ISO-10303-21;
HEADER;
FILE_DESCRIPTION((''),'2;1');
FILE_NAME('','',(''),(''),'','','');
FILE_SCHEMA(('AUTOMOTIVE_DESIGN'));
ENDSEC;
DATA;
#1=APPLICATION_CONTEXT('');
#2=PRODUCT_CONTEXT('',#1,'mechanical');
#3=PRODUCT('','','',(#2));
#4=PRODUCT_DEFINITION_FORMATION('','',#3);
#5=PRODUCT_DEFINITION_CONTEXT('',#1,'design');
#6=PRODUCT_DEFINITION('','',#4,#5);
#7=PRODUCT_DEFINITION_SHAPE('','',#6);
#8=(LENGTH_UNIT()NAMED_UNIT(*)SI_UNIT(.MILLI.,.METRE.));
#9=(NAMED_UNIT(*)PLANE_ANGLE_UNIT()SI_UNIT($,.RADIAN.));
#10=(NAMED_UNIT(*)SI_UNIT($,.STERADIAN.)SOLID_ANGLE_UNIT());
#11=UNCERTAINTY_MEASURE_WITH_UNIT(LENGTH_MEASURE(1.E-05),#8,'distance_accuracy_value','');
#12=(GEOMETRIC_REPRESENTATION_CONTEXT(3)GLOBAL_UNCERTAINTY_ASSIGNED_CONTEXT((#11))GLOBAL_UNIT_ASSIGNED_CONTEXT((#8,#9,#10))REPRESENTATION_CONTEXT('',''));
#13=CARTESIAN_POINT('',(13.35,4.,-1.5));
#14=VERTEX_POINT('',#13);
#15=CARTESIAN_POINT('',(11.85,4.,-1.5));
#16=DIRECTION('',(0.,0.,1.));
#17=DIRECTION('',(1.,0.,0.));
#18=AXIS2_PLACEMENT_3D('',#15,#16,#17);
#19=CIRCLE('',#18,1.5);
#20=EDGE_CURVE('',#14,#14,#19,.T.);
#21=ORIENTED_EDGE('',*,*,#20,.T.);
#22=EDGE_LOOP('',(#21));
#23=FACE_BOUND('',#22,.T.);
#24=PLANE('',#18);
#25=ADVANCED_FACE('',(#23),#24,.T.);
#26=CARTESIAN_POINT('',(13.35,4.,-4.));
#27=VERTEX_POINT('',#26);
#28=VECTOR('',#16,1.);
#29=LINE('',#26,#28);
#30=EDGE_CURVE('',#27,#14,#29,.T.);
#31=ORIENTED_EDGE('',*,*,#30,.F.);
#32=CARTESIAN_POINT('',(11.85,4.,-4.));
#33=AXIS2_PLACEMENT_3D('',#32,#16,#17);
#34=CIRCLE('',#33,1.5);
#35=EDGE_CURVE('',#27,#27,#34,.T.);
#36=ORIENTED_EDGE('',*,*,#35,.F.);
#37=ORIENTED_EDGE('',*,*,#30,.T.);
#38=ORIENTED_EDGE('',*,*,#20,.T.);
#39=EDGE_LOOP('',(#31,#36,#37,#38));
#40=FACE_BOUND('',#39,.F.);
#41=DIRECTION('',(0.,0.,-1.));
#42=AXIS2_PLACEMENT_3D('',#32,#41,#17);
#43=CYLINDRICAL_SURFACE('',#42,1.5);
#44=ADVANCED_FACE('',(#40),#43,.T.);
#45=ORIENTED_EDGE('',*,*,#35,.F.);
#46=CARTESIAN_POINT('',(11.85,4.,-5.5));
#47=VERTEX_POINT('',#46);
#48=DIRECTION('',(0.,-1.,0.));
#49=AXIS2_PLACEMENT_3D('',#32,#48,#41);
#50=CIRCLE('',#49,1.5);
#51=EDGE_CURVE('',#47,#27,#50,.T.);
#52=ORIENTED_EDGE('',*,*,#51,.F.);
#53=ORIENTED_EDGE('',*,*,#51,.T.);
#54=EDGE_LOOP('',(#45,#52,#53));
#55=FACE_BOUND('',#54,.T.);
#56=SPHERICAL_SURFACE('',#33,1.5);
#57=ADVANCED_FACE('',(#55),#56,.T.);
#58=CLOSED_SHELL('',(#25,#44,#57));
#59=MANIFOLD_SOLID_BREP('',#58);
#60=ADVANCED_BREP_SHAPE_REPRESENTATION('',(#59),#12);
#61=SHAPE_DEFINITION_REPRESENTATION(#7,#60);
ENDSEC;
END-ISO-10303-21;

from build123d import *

# Parameters (mm, degrees)
CYLINDER002_R     = 1.5
CYLINDER002_DEPTH = 2.5


with BuildPart() as cilindro002:
    # Cylinder002 → Cylinder002 (new body)
    with BuildSketch(Plane.XY):
        Circle(CYLINDER002_R)
    extrude(amount=CYLINDER002_DEPTH)


with BuildPart() as ir_photo:
    # Sphere001 → Sphere001 (revolve)
    with BuildSketch(Plane.XZ):
        with BuildLine():
            ThreePointArc((0, -1.5), (1.5, 0), (0, 1.5))
            Line((0, 1.5), (0, -1.5))
        make_face()
    revolve(axis=Axis((0, 0, 0), (0, 0, 1)))

    # Fusion003: union Cilindro002
    add(cilindro002.part)


with BuildPart() as ir_photo_1:
    # Fusion003 placement: moved
    add(ir_photo.part.moved(Location((11.85, 4, -4))))


solid = ir_photo_1.part
